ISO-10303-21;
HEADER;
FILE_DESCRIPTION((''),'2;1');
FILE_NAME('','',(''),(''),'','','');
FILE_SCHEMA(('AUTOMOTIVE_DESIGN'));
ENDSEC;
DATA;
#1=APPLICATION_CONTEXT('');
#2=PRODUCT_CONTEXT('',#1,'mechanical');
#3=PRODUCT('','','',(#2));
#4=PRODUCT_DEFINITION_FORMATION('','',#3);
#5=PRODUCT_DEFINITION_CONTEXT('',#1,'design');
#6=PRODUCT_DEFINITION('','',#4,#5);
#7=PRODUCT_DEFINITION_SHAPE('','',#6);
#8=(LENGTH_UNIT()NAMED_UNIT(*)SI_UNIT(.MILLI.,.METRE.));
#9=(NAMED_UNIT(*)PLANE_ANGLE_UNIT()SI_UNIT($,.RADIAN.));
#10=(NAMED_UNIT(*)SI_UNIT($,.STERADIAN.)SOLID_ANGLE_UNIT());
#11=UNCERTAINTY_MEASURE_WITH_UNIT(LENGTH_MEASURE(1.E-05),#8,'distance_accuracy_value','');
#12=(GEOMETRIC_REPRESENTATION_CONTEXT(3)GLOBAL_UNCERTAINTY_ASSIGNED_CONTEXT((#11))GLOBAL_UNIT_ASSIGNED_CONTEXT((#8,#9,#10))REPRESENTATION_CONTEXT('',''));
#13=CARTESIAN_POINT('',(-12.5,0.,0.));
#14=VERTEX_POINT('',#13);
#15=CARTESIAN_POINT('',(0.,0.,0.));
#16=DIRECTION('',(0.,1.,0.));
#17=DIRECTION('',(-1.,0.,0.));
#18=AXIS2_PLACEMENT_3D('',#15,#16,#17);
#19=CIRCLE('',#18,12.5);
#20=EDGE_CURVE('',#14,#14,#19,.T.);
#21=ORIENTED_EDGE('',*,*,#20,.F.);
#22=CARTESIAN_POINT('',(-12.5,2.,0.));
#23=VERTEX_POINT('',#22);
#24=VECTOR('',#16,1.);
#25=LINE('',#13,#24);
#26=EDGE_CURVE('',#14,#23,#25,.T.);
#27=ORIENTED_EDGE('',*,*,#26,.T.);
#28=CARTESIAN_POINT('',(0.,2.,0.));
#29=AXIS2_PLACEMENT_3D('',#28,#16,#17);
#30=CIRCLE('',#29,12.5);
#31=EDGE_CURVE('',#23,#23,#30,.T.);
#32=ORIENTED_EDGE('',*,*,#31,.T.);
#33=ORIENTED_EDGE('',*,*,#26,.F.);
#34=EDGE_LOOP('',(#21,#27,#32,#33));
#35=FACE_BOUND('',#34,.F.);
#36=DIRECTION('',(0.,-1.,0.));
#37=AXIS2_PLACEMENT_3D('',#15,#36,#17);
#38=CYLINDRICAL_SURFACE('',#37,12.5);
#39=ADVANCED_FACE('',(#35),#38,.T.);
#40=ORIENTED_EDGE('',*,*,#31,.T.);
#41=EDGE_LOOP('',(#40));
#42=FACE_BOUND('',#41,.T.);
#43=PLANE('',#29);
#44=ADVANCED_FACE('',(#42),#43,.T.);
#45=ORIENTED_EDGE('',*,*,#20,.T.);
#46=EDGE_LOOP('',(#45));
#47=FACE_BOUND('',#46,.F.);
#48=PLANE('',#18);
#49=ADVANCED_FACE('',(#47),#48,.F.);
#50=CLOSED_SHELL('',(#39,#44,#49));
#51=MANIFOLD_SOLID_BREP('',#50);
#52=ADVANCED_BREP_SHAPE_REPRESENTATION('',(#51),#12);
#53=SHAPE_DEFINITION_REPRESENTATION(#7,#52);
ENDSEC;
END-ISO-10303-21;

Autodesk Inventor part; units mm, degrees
ref_plane "YZ Plane" through (0, 0, 0) normal (1, 0, 0) x (0, 1, 0)
ref_plane "XZ Plane" through (0, 0, 0) normal (0, 1, 0) x (-1, 0, 0)
ref_plane "XY Plane" through (0, 0, 0) normal (0, 0, 1) x (1, 0, 0)
sketch "Sketch1" plane through (0, 0, 0) normal (0, 1, 0) x (-1, 0, 0)
  circle A0 centre (0, 0) radius 12.5
  point P0 (0, -12.5)
  point P1 (-12.5, 0)
  dimension "d0" = 25
extrude "Extrusion1" add sketch "Sketch1" along normal blind 2
ref_plane "Work Plane1" through (0, 0, 0) normal (1, 0, 0) x (0, 0, -1)
ref_plane "Work Plane2" through (12.5, 0, 0) normal (0, 0, -1) x (-1, 0, 0)
ref_plane "Work Plane4" through (0, 2, 0) normal (0, 0.7071, -0.7071) x (-1, 0, 0)
ref_plane "Work Plane5" through (0, 2, 0) normal (0, 0.7071, 0.7071) x (1, 0, 0)
properties part number "1in_5mm_mir"
